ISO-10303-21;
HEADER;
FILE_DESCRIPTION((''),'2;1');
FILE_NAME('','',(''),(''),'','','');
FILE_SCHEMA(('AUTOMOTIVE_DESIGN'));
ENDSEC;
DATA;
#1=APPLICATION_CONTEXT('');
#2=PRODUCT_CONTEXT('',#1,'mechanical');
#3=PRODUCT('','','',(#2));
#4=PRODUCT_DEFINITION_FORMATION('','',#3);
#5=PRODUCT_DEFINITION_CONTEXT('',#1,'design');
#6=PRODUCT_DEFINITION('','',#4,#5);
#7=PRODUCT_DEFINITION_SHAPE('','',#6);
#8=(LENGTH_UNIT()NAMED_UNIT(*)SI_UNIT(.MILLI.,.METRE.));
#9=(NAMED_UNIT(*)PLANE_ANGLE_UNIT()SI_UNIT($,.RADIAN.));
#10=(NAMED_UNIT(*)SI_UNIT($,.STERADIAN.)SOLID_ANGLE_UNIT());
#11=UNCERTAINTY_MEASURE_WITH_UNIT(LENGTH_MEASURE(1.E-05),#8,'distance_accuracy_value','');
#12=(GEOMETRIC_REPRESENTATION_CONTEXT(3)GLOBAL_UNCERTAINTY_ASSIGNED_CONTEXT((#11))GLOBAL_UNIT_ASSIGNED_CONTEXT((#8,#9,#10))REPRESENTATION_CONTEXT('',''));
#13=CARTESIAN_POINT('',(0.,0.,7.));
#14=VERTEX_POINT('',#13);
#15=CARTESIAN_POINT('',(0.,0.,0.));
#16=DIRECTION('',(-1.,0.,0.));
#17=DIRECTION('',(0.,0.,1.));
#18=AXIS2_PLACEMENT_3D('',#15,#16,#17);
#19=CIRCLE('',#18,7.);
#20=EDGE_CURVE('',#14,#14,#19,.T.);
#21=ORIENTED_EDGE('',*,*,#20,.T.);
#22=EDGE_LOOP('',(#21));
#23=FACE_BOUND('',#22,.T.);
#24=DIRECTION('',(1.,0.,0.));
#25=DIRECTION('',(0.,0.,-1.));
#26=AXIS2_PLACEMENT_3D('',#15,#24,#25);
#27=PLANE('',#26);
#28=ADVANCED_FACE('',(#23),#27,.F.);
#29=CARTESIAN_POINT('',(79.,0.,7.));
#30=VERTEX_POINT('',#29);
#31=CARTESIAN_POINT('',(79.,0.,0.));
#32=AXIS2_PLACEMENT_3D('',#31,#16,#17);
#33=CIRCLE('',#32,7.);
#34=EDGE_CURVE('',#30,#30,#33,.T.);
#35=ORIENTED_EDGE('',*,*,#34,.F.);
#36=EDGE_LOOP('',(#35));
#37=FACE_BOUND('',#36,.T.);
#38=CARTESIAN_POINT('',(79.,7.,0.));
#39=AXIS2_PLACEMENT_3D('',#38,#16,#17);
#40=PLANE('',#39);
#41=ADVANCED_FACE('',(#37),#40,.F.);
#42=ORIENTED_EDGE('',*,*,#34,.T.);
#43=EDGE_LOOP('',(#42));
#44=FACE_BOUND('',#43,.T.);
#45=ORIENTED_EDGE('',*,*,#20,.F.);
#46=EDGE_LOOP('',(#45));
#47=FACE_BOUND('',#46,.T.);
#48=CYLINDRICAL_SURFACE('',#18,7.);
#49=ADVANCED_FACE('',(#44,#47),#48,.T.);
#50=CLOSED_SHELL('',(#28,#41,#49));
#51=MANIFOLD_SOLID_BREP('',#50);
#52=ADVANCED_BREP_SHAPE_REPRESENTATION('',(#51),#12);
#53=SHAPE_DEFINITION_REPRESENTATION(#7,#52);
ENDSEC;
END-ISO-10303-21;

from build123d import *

# Parameters (mm, degrees)
SKETCH_1_W = 79
SKETCH_1_H = 7


with BuildPart() as part:
    # 草图1 → 旋转1 (revolve)
    with BuildSketch(Plane.XY, mode=Mode.PRIVATE) as revolve_1_sk:
        with Locations((39.5, 3.5)):
            Rectangle(SKETCH_1_W, SKETCH_1_H)
    revolve(revolve_1_sk.sketch.rotate(Axis((0, 0, 0), (1, 0, 0)), 90), axis=Axis((0, 0, 0), (1, 0, 0)))


solid = part.part
